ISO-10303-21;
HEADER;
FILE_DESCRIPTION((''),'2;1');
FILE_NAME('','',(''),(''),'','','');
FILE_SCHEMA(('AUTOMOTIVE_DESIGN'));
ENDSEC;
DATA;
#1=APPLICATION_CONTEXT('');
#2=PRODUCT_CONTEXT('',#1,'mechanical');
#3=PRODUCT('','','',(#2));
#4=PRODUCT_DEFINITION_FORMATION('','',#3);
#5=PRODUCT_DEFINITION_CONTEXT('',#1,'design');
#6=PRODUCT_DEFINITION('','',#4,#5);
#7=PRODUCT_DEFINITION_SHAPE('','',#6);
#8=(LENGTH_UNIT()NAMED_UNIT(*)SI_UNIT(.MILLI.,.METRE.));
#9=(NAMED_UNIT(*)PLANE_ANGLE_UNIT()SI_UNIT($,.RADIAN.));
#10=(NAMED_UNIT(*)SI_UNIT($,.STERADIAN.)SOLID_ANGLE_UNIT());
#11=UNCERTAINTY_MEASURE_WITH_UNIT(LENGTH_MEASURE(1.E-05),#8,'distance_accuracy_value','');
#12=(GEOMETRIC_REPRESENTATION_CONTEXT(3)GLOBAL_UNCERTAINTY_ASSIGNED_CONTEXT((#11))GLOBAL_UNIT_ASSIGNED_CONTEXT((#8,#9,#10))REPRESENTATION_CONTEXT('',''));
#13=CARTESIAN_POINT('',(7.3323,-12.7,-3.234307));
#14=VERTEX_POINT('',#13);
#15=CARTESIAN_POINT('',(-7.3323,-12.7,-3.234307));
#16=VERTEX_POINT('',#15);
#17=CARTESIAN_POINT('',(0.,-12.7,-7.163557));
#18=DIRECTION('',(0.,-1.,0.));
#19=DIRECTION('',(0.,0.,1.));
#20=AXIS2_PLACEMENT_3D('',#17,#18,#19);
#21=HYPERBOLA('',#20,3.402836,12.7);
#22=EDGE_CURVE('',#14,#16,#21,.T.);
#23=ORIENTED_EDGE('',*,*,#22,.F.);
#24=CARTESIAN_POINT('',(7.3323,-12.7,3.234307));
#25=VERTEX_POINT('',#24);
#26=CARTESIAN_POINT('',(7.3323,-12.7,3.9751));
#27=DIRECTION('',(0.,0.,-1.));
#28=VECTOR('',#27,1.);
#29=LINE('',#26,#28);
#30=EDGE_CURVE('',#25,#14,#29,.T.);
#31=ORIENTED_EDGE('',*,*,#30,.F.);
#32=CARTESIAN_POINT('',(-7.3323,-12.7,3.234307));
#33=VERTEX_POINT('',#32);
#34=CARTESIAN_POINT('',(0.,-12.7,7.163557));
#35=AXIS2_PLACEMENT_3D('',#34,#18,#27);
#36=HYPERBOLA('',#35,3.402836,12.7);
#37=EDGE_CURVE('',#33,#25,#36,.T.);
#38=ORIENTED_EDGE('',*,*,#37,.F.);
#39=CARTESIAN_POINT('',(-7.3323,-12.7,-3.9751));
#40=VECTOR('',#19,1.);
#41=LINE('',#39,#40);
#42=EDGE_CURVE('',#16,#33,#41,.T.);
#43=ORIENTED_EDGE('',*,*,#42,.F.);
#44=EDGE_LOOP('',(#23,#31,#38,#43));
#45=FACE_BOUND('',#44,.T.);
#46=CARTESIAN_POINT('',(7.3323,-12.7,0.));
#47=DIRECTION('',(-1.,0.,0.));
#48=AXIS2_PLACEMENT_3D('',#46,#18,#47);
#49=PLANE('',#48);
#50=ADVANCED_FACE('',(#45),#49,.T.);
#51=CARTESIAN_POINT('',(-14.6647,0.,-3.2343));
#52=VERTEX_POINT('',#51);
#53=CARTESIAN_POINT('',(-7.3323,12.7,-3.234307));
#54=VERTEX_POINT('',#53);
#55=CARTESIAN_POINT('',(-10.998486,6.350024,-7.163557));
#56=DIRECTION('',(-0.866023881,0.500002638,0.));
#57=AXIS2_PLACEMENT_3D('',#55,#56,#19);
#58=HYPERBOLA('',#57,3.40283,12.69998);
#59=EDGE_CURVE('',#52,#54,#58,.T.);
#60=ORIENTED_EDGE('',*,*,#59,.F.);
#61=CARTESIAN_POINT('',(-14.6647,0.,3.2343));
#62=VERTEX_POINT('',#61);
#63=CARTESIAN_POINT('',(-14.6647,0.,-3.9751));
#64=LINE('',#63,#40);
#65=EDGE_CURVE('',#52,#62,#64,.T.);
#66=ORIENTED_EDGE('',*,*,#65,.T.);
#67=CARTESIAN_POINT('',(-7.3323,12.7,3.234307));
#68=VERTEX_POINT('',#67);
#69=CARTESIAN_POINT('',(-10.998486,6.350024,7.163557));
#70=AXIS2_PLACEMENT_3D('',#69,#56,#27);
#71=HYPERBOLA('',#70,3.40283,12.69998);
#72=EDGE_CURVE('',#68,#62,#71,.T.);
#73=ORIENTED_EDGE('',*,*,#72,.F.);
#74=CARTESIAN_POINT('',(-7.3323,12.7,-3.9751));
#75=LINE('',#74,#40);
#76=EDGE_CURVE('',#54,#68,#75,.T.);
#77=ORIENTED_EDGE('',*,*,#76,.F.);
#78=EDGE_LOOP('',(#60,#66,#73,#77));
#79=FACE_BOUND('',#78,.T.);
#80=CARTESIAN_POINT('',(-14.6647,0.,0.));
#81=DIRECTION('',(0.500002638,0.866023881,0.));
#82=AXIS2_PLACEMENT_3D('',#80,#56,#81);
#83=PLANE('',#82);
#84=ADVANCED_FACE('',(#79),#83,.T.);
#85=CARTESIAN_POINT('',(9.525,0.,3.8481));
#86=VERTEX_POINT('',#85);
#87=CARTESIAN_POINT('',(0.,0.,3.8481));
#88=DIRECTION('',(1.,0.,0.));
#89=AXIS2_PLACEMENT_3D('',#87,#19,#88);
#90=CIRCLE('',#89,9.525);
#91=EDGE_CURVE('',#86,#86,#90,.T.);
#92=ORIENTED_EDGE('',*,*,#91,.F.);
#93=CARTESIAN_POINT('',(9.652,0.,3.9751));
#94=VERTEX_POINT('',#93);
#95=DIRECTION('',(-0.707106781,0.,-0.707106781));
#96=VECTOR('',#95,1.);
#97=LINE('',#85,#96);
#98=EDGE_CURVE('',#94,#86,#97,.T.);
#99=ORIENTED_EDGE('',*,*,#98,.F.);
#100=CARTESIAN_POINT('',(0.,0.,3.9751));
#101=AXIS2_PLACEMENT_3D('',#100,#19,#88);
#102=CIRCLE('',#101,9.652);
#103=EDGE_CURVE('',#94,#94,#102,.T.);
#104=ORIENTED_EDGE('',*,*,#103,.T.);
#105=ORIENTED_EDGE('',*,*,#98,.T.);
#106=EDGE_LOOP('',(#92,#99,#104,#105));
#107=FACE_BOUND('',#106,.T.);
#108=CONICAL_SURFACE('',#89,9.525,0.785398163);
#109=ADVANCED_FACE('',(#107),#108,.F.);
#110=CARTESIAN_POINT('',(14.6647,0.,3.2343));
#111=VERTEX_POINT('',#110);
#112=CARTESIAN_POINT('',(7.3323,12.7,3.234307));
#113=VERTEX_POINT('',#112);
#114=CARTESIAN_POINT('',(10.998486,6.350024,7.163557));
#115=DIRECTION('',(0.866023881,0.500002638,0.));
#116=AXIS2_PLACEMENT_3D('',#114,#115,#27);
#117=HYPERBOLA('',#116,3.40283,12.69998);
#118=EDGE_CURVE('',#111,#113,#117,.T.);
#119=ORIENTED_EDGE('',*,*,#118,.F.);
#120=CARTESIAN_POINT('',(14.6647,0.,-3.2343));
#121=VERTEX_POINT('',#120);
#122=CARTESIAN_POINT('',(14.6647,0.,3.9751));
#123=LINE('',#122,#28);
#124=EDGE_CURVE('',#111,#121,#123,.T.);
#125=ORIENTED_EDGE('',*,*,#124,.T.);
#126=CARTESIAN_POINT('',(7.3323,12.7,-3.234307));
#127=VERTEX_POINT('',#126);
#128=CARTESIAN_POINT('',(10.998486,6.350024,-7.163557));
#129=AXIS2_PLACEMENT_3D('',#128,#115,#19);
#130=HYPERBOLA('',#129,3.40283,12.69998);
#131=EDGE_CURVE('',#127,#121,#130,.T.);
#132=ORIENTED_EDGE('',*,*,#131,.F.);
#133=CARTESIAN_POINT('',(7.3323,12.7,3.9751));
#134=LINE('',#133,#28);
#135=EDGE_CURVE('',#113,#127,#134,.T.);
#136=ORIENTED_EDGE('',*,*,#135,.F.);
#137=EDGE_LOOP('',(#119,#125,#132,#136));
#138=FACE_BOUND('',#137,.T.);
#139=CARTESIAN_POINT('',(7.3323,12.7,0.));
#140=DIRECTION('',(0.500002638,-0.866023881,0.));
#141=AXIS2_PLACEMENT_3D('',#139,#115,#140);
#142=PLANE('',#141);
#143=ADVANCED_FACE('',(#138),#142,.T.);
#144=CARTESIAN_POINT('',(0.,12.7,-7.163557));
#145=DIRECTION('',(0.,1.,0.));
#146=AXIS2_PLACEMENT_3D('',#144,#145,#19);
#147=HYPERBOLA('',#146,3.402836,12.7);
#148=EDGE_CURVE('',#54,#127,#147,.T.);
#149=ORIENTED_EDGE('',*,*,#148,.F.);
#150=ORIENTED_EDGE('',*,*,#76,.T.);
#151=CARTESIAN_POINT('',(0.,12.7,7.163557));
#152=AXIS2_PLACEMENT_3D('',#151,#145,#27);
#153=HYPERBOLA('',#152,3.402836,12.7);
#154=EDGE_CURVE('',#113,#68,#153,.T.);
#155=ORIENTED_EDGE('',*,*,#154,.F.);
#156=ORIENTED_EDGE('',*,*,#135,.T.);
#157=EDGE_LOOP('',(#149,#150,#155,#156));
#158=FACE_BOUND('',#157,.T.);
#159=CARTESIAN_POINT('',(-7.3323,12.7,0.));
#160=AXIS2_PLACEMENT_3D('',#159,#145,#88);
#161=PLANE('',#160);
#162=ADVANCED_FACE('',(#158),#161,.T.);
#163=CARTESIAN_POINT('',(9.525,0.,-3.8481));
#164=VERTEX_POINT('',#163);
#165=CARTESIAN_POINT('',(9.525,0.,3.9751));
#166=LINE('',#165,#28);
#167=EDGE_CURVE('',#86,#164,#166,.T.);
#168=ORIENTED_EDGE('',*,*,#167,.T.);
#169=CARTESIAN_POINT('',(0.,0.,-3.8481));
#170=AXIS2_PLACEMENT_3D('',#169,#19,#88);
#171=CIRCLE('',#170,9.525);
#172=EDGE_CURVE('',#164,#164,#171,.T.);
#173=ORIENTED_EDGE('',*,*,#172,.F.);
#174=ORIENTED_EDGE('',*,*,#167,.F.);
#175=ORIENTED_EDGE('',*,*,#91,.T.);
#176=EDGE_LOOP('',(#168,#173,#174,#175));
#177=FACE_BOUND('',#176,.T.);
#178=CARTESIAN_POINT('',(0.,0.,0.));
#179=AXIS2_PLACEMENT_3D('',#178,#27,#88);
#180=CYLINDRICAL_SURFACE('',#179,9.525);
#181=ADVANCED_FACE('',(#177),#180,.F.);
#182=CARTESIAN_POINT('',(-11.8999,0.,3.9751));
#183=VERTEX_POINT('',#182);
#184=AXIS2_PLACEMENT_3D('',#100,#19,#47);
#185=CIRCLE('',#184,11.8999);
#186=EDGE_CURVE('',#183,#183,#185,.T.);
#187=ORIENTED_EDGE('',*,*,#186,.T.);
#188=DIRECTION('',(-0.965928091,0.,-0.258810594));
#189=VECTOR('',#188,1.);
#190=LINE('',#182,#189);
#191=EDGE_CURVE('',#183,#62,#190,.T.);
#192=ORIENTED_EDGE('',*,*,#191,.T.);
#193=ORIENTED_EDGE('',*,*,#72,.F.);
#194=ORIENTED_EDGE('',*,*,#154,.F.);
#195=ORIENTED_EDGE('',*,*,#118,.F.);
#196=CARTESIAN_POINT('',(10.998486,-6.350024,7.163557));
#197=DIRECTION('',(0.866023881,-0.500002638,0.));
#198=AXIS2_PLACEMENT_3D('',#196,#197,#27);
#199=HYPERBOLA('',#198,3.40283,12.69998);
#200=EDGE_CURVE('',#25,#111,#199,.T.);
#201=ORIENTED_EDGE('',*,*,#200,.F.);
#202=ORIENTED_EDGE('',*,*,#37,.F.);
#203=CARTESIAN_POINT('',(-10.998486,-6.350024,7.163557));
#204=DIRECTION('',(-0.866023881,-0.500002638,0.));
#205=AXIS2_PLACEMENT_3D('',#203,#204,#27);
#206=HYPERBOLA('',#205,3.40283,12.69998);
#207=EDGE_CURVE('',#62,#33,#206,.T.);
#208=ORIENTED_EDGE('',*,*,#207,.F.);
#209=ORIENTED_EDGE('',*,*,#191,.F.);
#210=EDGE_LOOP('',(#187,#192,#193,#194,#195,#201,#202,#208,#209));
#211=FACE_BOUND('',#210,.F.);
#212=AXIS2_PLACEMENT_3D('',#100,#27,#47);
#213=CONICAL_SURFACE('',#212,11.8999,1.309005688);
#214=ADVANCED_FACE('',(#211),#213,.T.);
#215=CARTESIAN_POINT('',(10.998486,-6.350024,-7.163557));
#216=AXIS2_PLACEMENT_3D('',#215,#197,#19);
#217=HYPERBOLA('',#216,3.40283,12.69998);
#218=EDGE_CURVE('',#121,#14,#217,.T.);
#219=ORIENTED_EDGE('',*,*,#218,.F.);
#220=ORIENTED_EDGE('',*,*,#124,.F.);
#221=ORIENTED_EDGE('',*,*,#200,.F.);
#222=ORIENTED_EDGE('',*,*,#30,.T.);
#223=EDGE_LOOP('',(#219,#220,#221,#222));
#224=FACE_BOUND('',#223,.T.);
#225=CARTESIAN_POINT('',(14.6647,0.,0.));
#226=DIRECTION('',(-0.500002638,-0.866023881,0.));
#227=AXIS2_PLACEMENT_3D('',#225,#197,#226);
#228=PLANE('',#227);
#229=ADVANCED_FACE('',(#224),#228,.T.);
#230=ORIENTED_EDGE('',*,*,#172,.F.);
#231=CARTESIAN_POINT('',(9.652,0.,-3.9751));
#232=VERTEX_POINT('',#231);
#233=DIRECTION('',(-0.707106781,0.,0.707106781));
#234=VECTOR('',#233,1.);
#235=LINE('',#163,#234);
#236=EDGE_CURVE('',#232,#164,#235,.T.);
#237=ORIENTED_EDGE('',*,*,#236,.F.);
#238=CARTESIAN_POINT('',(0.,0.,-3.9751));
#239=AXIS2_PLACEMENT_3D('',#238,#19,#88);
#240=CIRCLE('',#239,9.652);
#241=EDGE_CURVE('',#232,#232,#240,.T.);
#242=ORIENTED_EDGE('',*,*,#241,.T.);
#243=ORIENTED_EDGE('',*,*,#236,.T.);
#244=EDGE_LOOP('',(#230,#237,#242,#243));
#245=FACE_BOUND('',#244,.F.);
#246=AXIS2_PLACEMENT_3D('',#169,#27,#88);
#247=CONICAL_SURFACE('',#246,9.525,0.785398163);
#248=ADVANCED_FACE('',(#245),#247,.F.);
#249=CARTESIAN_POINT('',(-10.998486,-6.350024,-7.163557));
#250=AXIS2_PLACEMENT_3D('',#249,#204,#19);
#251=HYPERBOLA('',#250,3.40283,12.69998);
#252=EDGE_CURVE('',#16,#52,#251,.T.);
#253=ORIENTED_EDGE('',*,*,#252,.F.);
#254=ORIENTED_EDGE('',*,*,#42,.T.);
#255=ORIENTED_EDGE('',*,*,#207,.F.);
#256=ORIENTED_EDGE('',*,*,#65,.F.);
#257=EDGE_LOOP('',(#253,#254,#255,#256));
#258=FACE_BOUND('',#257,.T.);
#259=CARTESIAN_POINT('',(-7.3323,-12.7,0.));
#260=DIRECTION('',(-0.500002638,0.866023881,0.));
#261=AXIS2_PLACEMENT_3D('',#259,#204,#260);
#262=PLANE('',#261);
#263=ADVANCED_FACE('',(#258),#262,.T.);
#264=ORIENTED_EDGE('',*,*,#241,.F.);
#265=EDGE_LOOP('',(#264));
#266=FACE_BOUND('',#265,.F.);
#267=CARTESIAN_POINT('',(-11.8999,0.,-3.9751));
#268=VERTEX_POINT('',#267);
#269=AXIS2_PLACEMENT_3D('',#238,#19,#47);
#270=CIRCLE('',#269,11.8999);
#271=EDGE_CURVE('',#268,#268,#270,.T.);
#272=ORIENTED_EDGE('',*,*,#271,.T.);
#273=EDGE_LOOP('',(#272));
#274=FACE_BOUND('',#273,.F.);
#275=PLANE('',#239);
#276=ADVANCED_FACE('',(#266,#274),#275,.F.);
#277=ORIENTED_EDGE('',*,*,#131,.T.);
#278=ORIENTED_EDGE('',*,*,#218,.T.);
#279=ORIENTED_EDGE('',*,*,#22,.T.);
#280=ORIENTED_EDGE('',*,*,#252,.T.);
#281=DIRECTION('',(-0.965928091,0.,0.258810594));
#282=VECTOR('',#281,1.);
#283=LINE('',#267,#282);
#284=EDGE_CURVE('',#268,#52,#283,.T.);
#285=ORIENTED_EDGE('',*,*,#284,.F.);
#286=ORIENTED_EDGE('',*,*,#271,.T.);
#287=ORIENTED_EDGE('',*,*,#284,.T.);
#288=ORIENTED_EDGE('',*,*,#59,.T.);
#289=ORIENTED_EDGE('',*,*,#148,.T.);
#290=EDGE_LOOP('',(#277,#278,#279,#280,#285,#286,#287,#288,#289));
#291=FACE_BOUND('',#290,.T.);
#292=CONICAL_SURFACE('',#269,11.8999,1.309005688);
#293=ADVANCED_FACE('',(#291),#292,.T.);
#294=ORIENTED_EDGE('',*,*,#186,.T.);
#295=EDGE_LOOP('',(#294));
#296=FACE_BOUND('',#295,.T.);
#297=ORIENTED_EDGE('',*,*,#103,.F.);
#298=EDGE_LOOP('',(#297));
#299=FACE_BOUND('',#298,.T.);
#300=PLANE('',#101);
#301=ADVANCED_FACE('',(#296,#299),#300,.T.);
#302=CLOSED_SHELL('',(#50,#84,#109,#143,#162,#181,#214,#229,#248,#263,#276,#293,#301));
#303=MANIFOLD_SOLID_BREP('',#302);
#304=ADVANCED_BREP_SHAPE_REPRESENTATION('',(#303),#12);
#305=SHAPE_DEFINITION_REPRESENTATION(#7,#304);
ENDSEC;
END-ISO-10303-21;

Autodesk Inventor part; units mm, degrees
ref_plane "YZ Plane" through (0, 0, 0) normal (1, 0, 0) x (0, 1, 0)
ref_plane "XZ Plane" through (0, 0, 0) normal (0, 1, 0) x (-1, 0, 0)
ref_plane "XY Plane" through (0, 0, 0) normal (0, 0, 1) x (1, 0, 0)
sketch "Sketch1" plane through (0, 0, 0) normal (0, 0, 1) x (1, 0, 0)
  line L0 (-7.3323, 12.7) -> (7.3323, 12.7)
  line L1 (7.3323, 12.7) -> (14.6647, 0)
  line L2 (14.6647, 0) -> (7.3323, -12.7)
  line L3 (7.3323, -12.7) -> (-7.3323, -12.7)
  line L4 (-7.3323, -12.7) -> (-14.6647, 0)
  line L5 (-14.6647, 0) -> (-7.3323, 12.7)
  circle A0 centre (0, 0) radius 9.525
  dimension "d0" = 25.4
  dimension "d1" = 19.05
extrude "Extrusion1" add sketch "Sketch1" along normal mid plane 7.9502
chamfer "Chamfer1" distance 0.127 angle 45 2 edges at (-9.525, 0, 3.9751) (-9.525, 0, -3.9751)
sketch "Sketch2" plane through (0, 0, 0) normal (0, 1, 0) x (-1, 0, 0)
  line L0 (11.8999, 3.9751) -> (14.6647, 3.2343)
  line L1 (14.6647, 3.2343) -> (14.6647, 3.9751)
  line L2 (14.6647, 3.9751) -> (11.8999, 3.9751)
  line L3 (14.6647, 3.9751) -> (7.3323, 3.9751) construction
  line L4 (7.3323, 3.9751) -> (7.3323, -3.9751) construction
  line L5 (14.6647, 3.9751) -> (7.3323, 3.9751) construction
  line L6 (14.6647, 3.9751) -> (14.6647, -3.9751) construction
  line L7 (7.3323, -3.9751) -> (14.6647, -3.9751) construction
  line L8 (0, 0) -> (14.6647, 0) construction
  line L9 (11.8999, -3.9751) -> (14.6647, -3.2343)
  line L10 (14.6647, -3.2343) -> (14.6647, -3.9751)
  line L11 (14.6647, -3.9751) -> (11.8999, -3.9751)
  line L12 (0, -3.8938) -> (0, 3.8938) projected
  dimension "d7" = 11.8999
  dimension "d8" = 15
revolve "Revolution1" cut sketch "Sketch2" angle 360 about axis through (0, 0, -10) along (0, 0, 1)
thread "Thread1" size "3/4-16 UNF" class "3B" standard "ANSI Unified Screw Threads" full length
equation "\"d0\" = AN924_A"
equation "\"d1\" = AN924_T"
equation "\"d2\" = AN924_B"
equation "\"d7\" = 0.5 * AN924_G"
equation "\"AN924_A\" = 25.4"
equation "\"AN924_B\" = 7.9502"
equation "\"AN924_G\" = 23.7998"
equation "\"AN924_T\" = 19.05"
equation "\"Tube_OD\" = 12.7"
properties part number "AN924-8D" material "Aluminum 2014-T6"
